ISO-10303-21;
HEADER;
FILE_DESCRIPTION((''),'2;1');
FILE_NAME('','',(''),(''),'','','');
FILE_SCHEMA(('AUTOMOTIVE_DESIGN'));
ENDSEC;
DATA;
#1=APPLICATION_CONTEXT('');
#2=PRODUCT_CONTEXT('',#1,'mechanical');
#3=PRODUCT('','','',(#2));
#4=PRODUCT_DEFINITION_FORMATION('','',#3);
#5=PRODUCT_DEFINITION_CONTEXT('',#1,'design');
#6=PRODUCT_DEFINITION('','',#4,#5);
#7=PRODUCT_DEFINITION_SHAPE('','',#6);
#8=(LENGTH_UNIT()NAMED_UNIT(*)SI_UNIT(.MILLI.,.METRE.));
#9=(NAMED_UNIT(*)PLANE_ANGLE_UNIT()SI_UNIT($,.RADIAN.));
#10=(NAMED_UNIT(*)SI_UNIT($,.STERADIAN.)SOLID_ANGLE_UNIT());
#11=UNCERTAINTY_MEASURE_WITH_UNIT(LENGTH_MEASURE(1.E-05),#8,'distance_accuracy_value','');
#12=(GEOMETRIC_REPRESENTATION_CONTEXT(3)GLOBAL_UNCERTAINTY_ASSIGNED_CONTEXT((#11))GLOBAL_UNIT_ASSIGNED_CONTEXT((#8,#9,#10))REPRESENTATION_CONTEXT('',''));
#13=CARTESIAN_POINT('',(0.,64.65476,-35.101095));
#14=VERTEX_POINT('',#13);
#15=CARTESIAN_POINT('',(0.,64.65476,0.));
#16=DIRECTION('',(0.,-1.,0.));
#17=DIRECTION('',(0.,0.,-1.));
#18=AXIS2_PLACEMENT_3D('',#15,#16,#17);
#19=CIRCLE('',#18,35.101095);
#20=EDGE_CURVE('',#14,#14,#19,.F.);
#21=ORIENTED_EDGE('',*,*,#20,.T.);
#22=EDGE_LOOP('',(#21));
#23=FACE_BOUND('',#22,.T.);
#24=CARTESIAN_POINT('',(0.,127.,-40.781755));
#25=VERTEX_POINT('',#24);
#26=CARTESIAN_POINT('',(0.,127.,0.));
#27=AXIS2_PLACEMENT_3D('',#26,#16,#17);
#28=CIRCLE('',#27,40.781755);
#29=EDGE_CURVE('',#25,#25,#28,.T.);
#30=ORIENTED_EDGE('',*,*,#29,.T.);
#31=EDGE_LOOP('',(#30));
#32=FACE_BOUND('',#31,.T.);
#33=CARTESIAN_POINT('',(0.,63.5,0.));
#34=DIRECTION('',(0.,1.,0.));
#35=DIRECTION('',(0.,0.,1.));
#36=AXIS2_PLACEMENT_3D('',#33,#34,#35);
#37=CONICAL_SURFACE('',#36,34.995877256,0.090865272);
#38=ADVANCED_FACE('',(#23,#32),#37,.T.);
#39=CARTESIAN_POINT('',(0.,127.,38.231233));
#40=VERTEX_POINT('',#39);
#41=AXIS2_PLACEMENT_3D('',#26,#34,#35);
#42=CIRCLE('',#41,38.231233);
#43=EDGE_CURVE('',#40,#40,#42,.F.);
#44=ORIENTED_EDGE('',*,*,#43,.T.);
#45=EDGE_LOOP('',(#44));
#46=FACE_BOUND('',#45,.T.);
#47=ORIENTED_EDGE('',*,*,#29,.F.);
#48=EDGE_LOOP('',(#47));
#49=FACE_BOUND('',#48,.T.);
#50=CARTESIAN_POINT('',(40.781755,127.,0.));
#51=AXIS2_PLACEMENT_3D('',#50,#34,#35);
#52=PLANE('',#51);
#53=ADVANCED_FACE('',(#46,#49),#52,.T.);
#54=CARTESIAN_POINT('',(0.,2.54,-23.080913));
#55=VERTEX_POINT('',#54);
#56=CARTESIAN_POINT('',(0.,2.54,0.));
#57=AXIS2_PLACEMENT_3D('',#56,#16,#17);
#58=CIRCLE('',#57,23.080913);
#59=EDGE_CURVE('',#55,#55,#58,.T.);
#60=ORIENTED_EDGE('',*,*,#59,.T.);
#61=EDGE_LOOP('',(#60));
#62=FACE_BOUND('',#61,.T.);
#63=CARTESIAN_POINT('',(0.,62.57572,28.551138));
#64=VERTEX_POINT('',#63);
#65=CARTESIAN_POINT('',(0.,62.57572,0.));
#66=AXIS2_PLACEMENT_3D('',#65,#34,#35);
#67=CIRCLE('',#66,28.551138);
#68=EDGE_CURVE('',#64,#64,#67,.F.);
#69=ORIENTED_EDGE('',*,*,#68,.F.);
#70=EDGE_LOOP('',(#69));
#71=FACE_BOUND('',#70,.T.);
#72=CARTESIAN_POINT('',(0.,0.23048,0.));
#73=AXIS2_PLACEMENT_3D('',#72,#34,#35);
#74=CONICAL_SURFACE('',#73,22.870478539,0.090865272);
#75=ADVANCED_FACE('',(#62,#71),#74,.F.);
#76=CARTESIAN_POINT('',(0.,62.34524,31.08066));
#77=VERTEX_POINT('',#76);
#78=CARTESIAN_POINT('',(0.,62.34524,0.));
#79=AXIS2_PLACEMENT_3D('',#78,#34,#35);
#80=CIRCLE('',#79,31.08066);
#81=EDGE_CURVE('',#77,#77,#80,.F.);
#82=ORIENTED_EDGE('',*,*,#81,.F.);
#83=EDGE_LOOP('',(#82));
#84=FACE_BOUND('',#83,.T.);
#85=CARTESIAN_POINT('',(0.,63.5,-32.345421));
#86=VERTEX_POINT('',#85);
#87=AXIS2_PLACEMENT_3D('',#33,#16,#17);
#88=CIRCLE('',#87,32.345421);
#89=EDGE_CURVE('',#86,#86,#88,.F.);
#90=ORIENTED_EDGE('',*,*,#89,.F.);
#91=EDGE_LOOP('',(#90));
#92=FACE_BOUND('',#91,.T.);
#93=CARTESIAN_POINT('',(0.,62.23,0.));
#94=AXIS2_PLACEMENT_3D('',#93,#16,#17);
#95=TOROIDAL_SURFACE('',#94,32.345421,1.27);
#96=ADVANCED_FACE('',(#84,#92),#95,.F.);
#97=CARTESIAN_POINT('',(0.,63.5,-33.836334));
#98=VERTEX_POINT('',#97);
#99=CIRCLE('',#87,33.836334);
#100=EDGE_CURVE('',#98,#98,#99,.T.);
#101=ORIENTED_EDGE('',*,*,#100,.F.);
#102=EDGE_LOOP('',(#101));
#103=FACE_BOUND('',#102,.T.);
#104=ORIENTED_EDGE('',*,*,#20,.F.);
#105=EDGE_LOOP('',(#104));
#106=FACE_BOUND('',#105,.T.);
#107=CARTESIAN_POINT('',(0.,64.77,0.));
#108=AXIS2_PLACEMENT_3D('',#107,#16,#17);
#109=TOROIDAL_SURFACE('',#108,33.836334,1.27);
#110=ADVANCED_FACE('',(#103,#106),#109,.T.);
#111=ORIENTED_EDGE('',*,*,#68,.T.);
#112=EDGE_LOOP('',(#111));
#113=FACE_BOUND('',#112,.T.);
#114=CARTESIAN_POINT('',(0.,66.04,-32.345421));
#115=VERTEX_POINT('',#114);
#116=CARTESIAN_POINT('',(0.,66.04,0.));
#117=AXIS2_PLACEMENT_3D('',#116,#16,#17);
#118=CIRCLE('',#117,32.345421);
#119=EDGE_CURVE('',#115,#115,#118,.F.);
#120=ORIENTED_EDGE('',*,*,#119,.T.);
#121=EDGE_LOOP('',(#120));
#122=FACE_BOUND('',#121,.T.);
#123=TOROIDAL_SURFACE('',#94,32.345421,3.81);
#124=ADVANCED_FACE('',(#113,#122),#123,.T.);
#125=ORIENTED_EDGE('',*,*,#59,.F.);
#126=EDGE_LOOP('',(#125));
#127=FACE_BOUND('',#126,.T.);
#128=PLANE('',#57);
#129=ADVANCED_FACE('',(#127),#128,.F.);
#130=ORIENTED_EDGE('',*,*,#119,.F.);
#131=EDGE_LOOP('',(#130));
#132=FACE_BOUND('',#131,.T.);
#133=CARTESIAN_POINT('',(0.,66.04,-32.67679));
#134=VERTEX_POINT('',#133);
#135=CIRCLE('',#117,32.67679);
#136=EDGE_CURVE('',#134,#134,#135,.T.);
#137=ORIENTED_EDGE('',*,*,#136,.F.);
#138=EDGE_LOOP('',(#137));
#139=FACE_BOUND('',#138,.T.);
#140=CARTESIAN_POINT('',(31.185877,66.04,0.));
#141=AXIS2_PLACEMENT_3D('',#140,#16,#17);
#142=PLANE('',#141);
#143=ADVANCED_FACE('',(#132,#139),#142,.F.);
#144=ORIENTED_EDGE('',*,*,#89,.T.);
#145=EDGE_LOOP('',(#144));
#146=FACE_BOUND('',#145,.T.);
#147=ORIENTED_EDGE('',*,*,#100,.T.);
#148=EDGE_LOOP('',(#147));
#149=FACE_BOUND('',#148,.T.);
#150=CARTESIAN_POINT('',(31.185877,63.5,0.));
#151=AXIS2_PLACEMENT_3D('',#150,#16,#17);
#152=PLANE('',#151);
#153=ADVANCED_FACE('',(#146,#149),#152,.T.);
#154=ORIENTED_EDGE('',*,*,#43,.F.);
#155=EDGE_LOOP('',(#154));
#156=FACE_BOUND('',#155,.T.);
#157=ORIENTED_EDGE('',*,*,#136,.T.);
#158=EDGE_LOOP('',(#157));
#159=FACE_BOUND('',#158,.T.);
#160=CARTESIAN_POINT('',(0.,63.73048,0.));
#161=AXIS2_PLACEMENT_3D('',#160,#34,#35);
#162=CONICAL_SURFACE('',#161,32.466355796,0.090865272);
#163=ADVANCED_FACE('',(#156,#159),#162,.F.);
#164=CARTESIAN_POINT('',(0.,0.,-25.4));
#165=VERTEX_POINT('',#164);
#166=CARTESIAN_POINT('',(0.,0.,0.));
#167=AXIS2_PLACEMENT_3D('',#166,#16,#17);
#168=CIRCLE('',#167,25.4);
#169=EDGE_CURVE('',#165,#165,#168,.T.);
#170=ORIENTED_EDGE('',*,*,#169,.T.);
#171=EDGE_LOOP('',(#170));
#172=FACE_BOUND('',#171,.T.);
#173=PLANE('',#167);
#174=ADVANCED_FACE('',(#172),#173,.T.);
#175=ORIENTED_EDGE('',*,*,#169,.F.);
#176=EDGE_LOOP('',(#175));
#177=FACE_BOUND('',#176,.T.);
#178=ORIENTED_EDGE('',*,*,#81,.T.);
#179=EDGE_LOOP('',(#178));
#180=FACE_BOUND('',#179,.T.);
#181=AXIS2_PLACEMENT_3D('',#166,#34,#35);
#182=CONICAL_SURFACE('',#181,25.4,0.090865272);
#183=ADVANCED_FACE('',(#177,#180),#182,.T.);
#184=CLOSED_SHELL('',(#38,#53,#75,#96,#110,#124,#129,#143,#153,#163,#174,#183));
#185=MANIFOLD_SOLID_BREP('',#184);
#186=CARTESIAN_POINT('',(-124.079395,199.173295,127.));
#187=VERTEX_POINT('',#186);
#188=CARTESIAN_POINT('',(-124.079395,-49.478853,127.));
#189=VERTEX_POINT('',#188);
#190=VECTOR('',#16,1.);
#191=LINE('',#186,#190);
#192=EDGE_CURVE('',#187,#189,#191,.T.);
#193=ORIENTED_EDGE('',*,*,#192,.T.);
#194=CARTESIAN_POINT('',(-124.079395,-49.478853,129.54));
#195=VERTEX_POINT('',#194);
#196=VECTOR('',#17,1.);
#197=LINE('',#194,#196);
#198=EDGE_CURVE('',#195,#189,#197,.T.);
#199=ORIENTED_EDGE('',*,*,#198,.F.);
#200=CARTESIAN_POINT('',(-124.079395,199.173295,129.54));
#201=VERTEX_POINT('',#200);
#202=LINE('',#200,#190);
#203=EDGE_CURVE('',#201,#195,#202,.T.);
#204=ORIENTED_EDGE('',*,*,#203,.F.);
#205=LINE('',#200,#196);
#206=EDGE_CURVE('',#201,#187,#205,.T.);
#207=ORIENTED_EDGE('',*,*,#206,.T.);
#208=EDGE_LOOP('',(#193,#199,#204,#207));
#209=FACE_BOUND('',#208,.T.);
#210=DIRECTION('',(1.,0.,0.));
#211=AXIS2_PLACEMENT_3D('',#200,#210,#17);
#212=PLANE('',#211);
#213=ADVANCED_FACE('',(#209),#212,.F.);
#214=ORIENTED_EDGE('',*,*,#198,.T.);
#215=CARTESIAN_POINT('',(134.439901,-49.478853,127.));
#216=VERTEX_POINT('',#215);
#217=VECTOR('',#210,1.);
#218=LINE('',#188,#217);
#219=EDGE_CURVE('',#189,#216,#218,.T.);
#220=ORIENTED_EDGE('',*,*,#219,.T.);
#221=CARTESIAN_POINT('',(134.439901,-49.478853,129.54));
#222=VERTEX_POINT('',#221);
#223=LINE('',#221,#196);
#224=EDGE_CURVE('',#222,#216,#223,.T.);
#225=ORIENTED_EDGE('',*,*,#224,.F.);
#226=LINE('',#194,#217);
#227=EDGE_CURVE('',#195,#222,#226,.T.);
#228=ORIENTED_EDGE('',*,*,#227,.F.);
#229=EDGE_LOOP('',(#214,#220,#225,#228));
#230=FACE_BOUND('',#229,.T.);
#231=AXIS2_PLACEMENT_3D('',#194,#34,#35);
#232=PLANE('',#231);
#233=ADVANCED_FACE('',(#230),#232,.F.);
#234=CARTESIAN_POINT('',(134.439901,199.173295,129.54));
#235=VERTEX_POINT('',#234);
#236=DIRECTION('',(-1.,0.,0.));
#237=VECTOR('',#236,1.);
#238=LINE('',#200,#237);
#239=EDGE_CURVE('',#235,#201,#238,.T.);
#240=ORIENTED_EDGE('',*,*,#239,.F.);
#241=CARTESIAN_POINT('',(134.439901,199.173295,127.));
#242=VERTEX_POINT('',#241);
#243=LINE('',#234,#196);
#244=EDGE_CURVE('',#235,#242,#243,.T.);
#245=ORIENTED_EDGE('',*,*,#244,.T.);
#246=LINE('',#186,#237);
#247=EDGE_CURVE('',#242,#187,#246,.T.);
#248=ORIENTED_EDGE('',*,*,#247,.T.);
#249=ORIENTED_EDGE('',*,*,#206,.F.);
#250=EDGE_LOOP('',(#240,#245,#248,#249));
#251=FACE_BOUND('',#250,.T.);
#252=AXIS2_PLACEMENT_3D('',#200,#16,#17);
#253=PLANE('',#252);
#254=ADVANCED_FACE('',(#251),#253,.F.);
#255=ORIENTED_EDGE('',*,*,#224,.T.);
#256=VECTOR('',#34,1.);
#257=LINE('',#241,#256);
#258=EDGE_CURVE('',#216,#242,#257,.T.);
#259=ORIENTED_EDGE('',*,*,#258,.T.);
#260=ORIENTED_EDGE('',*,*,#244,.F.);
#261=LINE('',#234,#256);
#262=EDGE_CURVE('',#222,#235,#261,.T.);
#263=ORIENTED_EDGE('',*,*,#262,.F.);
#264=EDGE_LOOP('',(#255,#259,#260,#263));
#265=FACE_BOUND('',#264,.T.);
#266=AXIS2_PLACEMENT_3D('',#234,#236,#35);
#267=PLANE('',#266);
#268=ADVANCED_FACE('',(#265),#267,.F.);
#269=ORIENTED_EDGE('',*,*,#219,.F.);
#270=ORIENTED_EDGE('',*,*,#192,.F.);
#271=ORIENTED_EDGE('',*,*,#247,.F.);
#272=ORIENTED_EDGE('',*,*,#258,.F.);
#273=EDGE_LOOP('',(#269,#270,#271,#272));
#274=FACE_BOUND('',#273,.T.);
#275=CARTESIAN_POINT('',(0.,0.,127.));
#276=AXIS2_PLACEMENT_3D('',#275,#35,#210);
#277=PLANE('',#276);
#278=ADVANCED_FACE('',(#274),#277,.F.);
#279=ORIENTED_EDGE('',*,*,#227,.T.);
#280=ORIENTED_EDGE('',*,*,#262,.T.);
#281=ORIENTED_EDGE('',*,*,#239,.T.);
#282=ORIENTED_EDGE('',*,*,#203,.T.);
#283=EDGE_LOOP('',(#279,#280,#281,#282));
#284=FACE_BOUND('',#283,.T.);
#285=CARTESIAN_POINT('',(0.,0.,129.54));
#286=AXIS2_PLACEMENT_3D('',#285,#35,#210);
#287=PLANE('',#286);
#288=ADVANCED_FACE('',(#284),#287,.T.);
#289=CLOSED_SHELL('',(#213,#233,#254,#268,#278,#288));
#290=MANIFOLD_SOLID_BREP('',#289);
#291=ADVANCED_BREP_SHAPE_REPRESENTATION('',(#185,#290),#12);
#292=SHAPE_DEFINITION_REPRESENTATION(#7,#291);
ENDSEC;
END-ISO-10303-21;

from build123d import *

# Parameters (mm, degrees)
FILLET1_R           = 1.27
SHELL1_T            = -2.54
SKETCH2_W           = 258.519296789
SKETCH2_H           = 248.652148056
BOSS_EXTRUDE1_DEPTH = 2.54


with BuildPart() as part:
    # Sketch1 → Revolve2 (revolve)
    with BuildSketch(Plane.XY, mode=Mode.PRIVATE) as revolve2_sk:
        Polygon((0, 0), (25.4, 0), (31.185877256, 63.5), (34.995877256, 63.5), (40.781754513, 127), (0, 127), align=None)
    revolve(revolve2_sk.sketch.rotate(Axis((0, 0, 0), (0, 1, 0)), 90), axis=Axis((0, 0, 0), (0, 1, 0)))

    # Fillet1
    fillet1_edges = [part.edges().sort_by_distance(p)[0] for p in [
        (0, 63.5, 34.995877256),
        (0, 63.5, 31.185877256),
    ]]
    fillet(fillet1_edges, radius=FILLET1_R)

    # Shell1
    shell1_openings = [part.faces().sort_by_distance(p)[0] for p in [
        (0, 127, 0),
    ]]
    offset(amount=SHELL1_T, openings=shell1_openings, kind=Kind.INTERSECTION)


with BuildPart() as body_2:
    # Sketch2 → Boss-Extrude1 (new body)
    with BuildSketch(Plane.XY.offset(127)):
        with Locations((5.180253085, 74.847221042)):
            Rectangle(SKETCH2_W, SKETCH2_H)
    extrude(amount=BOSS_EXTRUDE1_DEPTH)


solid = Compound([part.part, body_2.part])
